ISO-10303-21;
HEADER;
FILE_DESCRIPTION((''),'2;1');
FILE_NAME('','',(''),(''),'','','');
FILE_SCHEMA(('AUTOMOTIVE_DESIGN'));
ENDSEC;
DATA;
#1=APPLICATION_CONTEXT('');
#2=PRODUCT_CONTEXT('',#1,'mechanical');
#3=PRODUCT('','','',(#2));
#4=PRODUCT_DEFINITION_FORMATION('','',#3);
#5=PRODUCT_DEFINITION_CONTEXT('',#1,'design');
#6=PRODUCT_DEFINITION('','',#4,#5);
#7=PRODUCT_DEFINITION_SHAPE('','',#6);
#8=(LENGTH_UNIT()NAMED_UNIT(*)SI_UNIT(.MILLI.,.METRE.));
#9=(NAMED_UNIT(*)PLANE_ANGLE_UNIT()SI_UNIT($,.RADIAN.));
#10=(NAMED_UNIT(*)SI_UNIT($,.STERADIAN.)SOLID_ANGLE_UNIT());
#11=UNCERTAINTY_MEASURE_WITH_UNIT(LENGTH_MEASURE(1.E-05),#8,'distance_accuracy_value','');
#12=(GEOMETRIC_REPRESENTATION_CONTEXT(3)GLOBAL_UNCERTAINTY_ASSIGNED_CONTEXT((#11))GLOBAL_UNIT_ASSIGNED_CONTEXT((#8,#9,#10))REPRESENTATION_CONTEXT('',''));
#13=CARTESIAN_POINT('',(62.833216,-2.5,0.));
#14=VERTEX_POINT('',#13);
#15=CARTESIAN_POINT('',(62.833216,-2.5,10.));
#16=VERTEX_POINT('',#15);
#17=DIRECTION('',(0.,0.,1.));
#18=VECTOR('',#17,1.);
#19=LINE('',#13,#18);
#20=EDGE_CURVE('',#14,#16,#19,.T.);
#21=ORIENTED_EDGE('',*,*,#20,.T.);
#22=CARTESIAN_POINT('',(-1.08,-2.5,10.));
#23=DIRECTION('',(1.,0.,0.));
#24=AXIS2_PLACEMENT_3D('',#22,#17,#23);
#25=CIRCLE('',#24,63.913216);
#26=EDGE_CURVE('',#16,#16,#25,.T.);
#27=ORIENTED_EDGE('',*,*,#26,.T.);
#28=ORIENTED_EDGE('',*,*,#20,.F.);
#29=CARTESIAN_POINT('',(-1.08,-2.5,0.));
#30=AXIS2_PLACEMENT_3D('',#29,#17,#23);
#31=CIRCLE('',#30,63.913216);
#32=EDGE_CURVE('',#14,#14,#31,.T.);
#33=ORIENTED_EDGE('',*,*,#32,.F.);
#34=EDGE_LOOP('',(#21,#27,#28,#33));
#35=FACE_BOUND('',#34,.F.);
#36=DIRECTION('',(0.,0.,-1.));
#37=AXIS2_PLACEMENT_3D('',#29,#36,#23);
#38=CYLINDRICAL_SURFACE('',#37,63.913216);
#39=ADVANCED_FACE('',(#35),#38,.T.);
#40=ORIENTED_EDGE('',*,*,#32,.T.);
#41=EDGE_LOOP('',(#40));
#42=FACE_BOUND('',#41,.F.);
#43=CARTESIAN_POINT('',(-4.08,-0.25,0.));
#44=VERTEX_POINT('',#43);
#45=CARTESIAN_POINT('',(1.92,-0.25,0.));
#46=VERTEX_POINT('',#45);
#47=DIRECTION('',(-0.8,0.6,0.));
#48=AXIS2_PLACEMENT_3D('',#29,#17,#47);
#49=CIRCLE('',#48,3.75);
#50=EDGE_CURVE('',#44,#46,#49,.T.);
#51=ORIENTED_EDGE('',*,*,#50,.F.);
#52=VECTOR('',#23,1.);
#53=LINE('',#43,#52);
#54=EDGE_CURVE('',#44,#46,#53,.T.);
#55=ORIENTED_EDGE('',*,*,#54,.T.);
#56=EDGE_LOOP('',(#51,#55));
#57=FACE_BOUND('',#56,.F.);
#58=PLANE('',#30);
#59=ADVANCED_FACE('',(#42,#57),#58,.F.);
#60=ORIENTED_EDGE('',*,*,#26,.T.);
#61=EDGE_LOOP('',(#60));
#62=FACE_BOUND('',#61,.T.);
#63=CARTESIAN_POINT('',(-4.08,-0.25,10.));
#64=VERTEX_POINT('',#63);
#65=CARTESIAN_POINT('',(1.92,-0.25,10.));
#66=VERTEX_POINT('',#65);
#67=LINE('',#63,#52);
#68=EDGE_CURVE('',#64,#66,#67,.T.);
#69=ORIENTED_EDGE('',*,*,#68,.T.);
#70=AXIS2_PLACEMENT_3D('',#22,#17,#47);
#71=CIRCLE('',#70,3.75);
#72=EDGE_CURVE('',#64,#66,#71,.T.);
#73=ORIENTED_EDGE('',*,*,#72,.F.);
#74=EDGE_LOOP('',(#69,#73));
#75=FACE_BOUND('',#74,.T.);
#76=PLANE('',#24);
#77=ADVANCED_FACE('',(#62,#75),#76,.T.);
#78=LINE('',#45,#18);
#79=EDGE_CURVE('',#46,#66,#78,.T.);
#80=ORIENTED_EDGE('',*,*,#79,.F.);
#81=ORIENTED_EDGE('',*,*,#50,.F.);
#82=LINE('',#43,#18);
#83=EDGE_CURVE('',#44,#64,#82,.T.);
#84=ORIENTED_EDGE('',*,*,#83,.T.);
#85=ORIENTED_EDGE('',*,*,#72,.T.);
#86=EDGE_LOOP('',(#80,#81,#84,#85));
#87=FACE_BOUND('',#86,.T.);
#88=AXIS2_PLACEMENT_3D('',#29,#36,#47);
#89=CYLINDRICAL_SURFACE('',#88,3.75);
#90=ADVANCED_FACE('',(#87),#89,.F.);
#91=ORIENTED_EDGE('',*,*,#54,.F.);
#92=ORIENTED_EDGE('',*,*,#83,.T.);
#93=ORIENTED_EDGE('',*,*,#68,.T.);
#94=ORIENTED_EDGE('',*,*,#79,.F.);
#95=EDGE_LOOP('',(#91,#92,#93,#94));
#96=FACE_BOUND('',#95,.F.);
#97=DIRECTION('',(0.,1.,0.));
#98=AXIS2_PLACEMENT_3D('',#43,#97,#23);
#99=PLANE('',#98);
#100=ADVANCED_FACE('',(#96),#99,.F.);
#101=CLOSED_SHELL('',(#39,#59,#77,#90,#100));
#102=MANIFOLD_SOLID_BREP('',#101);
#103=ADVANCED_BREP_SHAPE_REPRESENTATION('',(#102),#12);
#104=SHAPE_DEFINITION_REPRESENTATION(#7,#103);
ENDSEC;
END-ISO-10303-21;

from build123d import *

# Parameters (mm, degrees)
SKETCH_R  = 63.913216
PAD_DEPTH = 10


with BuildPart() as part:
    # Sketch → Pad (new body)
    with BuildSketch(Plane.XY):
        with Locations((-1.08, -2.5)):
            Circle(SKETCH_R)
        with BuildLine():
            ThreePointArc((-4.08, -0.25), (-1.08, -6.25), (1.92, -0.25))
            Line((-4.08, -0.25), (1.92, -0.25))
        make_face(mode=Mode.SUBTRACT)
    extrude(amount=PAD_DEPTH)


solid = part.part
